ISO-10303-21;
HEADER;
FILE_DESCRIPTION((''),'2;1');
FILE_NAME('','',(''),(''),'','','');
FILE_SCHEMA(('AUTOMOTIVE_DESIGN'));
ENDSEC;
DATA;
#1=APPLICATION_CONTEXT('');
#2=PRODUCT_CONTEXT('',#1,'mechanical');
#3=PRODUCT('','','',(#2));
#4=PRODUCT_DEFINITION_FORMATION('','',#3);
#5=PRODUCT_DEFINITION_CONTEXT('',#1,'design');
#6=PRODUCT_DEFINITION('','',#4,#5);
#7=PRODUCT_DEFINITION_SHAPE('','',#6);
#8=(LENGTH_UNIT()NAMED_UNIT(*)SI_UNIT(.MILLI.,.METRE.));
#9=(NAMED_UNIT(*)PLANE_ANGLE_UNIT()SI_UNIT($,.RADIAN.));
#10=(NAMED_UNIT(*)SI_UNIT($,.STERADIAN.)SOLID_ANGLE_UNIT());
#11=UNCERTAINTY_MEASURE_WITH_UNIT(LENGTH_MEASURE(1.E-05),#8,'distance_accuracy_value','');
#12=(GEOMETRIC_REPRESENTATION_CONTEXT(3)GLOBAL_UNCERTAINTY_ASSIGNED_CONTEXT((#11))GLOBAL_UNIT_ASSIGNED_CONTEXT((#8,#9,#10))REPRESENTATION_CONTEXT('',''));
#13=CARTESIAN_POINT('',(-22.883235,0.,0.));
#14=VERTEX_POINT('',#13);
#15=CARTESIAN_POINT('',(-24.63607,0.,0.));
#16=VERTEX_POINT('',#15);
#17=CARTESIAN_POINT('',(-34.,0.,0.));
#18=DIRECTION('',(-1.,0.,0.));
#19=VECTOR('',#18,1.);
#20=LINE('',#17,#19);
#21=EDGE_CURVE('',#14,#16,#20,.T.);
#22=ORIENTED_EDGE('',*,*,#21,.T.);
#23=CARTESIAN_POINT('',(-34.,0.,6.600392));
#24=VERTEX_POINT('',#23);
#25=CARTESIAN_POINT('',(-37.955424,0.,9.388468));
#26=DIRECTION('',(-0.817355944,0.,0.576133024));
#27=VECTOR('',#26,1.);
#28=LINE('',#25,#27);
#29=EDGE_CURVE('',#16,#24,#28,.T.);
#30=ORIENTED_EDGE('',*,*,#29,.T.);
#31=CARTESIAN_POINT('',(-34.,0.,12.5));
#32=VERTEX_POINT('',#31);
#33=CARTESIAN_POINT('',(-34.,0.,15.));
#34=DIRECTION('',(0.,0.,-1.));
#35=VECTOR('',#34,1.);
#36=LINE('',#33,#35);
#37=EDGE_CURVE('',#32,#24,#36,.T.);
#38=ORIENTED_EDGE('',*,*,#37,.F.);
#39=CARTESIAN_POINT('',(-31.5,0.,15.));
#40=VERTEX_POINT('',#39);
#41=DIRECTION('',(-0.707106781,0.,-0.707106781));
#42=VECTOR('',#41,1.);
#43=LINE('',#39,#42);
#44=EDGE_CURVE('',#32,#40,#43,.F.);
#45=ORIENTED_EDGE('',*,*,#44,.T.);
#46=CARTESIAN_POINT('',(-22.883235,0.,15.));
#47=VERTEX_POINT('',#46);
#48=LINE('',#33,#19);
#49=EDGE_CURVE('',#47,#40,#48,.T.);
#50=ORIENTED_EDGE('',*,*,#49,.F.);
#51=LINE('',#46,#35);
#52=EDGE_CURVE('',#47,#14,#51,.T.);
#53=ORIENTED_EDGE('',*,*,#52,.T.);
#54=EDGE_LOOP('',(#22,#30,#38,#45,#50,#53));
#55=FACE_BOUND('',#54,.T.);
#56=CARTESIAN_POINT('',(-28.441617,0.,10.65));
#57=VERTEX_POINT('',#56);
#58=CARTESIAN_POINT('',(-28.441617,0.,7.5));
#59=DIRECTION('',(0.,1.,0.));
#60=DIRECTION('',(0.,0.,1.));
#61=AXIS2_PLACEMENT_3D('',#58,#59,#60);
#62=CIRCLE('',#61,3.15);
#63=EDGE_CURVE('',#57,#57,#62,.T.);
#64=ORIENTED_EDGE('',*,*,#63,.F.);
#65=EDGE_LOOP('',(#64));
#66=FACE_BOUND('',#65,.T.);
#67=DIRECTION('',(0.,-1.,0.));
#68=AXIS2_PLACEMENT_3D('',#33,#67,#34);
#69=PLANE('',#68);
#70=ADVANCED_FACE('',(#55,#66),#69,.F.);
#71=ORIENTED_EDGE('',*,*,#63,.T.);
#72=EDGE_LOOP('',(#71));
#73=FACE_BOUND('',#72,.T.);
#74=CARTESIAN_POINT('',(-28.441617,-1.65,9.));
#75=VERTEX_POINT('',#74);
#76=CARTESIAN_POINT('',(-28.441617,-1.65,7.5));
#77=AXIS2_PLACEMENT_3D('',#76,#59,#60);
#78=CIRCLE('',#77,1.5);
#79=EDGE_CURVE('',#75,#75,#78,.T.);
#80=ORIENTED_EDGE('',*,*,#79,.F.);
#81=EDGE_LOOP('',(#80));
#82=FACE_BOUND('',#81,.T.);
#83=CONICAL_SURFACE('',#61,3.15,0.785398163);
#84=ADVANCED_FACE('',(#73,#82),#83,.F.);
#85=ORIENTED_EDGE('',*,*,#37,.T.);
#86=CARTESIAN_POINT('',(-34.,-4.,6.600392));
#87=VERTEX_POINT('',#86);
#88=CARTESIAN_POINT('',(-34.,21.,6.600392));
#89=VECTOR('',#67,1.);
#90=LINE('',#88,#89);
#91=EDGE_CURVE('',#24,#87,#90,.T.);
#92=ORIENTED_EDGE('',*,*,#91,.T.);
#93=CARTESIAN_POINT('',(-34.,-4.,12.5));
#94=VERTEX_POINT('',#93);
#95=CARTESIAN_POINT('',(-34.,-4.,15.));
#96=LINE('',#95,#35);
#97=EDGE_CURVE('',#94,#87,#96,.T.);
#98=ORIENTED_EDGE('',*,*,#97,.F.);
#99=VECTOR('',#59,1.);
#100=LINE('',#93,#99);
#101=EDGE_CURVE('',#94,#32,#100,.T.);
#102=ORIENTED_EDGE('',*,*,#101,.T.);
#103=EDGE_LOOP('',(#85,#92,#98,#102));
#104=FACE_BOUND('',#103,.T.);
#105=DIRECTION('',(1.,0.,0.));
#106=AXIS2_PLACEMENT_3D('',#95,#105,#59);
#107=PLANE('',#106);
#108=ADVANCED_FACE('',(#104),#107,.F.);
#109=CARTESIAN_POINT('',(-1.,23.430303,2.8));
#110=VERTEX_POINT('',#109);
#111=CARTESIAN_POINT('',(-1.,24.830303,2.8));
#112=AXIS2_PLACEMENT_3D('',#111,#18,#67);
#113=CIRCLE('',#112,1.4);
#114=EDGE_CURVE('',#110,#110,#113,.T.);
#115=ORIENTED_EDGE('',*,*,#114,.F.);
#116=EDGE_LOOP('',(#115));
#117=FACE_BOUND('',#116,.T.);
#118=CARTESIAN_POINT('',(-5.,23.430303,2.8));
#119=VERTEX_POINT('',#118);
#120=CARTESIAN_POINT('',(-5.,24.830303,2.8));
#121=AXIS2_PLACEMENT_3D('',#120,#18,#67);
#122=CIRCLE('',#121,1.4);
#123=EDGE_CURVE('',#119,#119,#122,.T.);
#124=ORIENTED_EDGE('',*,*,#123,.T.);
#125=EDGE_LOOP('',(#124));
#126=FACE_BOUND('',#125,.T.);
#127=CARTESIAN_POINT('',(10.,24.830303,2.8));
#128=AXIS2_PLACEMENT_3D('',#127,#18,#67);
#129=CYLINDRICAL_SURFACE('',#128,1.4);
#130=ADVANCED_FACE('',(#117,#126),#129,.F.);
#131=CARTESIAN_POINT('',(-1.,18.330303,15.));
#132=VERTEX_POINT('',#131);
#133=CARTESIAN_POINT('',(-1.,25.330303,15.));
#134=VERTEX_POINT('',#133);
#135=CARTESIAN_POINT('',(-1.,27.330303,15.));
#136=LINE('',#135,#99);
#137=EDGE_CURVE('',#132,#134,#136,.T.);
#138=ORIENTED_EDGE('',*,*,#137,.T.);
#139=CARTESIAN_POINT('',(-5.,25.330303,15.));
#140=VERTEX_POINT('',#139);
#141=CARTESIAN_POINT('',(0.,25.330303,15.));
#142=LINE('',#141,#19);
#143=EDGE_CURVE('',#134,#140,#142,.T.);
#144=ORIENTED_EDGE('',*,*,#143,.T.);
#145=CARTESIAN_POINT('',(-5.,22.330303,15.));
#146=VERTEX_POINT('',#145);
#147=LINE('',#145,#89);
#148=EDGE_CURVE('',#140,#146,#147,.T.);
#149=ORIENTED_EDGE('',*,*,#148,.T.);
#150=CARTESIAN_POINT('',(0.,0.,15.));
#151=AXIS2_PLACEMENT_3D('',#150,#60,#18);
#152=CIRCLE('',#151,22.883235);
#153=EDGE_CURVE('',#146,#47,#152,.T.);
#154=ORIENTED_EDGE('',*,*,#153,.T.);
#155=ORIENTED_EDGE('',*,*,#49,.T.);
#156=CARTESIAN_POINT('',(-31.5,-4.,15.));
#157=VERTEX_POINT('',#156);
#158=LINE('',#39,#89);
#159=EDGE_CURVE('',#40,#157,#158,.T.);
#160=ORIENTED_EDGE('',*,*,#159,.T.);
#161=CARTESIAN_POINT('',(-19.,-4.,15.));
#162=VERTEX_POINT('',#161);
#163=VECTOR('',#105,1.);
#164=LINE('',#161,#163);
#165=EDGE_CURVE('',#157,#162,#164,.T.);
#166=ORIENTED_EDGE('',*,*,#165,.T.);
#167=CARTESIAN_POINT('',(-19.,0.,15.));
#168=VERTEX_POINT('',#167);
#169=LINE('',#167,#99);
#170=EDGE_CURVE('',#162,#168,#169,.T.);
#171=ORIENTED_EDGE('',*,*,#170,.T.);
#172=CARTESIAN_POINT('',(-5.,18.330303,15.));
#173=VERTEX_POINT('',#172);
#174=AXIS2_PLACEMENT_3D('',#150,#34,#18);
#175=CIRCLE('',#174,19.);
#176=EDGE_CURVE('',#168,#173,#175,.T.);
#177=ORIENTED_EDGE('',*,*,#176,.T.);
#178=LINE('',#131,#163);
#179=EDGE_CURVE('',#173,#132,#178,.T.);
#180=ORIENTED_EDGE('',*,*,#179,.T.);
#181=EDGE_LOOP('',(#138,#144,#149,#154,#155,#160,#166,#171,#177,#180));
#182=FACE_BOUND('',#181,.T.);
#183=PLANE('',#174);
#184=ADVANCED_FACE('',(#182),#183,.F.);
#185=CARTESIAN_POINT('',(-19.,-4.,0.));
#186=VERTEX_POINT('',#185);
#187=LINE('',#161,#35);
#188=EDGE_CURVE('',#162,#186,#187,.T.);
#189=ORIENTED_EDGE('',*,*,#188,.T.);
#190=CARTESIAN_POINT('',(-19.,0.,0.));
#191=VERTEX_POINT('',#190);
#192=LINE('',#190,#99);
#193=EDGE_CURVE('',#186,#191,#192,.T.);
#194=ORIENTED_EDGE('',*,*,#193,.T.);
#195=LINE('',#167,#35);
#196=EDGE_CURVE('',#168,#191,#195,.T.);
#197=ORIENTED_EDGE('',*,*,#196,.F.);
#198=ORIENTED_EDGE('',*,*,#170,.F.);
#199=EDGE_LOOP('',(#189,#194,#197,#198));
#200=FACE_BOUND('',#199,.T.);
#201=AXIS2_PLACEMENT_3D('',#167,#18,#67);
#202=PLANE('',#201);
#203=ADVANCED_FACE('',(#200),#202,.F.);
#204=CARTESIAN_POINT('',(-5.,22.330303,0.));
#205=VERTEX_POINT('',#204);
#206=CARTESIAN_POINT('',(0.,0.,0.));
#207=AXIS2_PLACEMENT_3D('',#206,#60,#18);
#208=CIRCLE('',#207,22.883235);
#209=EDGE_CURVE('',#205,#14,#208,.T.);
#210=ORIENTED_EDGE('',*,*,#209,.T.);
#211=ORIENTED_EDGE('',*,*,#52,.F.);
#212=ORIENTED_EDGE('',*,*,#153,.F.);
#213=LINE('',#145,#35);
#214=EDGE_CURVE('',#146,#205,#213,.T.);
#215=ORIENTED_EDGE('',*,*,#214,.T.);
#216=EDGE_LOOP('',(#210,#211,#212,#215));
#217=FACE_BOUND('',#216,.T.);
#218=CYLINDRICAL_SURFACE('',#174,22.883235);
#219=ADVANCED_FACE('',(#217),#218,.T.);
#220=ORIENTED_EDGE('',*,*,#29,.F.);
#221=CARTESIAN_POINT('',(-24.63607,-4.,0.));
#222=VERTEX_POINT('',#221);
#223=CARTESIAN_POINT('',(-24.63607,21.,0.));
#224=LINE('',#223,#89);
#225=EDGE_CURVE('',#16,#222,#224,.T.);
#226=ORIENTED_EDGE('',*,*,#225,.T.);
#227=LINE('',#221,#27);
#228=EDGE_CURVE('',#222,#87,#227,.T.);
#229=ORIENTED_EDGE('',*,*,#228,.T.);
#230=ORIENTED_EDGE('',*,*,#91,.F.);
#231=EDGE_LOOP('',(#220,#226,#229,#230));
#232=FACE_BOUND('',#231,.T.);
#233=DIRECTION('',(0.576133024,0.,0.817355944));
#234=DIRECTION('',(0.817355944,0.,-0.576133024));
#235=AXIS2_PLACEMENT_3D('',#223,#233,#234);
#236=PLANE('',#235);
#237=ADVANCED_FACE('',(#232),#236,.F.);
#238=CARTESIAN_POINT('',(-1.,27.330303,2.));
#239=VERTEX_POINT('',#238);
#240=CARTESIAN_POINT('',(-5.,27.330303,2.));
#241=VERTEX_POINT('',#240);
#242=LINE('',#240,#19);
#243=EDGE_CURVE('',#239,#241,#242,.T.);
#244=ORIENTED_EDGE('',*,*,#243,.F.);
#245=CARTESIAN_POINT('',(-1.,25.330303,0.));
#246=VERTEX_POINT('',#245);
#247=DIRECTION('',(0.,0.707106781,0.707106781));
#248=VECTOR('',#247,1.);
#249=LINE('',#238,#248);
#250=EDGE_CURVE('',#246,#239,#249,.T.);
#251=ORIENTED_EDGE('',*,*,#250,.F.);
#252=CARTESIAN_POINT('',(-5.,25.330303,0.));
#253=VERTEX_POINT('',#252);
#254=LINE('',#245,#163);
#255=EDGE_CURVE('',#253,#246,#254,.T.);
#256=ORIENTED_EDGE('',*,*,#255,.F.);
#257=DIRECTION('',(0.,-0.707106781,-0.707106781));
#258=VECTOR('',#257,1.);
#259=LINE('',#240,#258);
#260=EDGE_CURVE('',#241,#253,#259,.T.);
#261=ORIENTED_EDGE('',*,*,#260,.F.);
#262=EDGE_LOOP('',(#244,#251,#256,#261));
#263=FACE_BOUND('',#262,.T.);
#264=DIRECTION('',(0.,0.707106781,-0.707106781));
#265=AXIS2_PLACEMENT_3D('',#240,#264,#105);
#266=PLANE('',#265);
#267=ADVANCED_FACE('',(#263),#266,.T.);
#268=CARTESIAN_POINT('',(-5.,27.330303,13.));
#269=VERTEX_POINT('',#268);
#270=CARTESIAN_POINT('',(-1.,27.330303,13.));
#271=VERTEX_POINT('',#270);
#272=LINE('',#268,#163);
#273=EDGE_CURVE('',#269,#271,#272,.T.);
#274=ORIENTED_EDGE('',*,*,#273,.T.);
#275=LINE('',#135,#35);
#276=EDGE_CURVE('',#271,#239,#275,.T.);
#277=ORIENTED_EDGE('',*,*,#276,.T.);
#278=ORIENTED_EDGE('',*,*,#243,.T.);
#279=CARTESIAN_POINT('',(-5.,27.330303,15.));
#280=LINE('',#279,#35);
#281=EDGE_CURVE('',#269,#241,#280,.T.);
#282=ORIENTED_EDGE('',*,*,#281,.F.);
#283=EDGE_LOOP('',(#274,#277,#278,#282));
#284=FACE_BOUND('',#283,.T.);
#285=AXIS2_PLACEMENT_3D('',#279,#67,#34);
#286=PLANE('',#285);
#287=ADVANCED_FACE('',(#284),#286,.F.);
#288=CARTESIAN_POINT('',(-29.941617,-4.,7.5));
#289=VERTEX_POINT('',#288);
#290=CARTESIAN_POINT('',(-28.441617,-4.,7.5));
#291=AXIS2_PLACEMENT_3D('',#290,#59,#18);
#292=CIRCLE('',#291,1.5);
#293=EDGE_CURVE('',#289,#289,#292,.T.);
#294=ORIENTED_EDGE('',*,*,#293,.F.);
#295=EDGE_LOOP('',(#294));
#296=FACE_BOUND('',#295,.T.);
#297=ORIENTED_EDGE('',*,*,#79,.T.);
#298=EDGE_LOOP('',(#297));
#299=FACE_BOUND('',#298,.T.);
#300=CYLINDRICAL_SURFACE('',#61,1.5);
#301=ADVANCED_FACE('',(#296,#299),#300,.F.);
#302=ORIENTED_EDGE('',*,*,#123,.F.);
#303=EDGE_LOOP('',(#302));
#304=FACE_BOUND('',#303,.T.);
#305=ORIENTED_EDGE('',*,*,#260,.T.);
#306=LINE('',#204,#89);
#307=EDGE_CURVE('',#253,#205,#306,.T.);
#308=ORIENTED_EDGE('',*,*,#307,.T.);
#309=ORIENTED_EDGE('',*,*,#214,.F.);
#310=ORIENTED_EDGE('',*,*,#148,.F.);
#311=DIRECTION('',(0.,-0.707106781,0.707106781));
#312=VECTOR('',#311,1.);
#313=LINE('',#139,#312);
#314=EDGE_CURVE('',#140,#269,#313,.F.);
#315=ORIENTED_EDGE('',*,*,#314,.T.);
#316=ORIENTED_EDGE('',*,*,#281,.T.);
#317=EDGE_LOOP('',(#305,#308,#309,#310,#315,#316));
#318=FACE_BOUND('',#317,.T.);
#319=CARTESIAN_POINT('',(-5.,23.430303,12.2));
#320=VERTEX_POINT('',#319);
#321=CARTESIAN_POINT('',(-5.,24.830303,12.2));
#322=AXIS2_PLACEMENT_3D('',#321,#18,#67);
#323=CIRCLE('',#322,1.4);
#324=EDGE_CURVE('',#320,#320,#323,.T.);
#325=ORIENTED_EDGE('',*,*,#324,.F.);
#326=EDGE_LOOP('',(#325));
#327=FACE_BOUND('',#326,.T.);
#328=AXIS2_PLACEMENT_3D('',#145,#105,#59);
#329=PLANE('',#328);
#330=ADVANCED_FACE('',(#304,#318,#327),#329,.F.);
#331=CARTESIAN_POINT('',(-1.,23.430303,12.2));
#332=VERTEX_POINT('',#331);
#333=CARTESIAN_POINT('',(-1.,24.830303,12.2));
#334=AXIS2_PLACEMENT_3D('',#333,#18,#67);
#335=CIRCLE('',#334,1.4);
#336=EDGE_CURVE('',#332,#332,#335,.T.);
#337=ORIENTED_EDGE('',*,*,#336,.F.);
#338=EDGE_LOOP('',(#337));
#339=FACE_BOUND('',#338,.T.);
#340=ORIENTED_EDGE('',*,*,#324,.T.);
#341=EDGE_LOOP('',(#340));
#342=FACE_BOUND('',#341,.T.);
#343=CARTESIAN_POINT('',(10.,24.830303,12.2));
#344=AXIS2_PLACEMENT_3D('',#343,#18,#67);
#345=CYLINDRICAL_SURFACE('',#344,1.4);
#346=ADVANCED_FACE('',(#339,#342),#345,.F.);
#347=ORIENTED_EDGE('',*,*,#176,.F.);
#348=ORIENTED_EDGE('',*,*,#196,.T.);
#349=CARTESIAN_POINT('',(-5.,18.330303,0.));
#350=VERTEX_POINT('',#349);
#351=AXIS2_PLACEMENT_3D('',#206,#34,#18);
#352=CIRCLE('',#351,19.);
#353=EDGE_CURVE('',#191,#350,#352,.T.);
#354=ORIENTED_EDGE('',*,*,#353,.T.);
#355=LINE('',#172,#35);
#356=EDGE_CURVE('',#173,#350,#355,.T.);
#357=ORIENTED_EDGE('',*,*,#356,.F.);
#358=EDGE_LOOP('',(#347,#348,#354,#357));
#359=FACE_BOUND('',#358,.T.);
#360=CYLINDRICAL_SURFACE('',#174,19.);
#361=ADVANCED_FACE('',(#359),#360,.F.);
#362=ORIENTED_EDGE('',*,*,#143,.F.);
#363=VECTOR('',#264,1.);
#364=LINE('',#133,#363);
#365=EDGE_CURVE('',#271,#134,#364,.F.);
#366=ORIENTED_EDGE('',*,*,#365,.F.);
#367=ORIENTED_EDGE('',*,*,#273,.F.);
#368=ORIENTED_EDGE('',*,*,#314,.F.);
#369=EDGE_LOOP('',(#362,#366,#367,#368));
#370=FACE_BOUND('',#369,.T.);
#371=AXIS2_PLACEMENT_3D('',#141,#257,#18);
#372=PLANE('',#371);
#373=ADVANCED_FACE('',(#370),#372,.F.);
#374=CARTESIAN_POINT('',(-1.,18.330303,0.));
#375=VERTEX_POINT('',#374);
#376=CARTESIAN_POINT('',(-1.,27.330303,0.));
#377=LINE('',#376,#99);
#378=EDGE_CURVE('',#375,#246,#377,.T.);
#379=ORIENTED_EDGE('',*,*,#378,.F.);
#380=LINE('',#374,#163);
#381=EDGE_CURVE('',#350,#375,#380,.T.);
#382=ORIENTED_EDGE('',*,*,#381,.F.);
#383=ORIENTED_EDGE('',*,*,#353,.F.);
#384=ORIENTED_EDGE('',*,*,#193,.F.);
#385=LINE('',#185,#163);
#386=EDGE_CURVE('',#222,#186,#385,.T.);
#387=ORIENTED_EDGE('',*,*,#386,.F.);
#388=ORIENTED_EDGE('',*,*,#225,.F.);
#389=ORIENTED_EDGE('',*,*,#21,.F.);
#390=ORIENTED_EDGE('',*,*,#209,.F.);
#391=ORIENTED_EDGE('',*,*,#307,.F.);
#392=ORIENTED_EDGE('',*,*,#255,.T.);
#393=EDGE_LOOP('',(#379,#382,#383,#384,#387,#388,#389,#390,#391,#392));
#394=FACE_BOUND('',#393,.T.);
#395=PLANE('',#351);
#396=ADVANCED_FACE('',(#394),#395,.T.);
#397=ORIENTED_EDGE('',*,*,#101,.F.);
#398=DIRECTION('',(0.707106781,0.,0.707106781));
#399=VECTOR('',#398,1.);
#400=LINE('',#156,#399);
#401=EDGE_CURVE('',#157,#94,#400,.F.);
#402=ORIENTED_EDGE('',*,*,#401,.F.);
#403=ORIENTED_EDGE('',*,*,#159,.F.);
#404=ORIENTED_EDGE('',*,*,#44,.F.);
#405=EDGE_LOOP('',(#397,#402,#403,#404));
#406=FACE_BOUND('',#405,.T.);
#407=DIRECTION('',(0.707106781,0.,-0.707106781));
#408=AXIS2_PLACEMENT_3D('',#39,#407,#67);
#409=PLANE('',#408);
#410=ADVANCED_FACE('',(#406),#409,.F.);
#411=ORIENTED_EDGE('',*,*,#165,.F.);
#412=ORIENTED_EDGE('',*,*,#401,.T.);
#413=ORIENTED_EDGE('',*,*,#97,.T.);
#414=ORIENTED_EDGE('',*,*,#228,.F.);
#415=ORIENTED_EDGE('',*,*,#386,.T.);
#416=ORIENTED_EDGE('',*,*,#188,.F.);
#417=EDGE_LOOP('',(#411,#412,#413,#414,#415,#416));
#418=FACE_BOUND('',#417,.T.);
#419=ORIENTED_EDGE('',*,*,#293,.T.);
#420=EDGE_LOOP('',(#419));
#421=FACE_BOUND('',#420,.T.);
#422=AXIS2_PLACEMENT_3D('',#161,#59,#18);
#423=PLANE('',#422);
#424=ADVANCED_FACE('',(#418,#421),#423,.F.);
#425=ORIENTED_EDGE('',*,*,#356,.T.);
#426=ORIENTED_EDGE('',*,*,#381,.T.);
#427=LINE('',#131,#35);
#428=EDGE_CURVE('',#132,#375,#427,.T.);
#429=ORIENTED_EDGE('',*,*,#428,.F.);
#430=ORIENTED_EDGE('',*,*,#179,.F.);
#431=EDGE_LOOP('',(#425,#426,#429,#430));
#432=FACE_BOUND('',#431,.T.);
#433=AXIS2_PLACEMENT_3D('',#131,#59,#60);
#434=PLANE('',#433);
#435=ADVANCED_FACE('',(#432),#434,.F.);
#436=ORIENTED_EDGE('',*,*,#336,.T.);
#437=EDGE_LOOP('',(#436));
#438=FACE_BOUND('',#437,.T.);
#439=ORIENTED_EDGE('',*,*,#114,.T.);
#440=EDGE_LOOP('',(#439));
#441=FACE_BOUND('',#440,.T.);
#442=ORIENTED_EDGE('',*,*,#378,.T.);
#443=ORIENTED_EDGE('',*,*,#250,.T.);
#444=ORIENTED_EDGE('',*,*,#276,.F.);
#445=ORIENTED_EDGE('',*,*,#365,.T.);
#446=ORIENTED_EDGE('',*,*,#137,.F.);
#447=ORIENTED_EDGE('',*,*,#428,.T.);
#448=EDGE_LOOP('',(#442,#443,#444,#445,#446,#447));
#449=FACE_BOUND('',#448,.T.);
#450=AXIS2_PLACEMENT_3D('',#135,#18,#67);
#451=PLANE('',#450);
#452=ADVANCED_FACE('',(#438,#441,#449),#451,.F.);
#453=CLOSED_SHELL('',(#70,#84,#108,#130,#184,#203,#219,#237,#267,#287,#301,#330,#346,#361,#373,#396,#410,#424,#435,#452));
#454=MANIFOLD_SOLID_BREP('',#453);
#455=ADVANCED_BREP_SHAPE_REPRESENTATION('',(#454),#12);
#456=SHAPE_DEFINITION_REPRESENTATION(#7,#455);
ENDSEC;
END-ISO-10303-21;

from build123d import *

# Parameters (mm, degrees)
BOSS_EXTRUDE1_DEPTH                             = 15
CHAMFER1_SIZE                                   = 2.5
SKETCH2_R                                       = 1.4
CUT_EXTRUDE1_DEPTH                              = 15
CHAMFER2_SIZE                                   = 2
SKETCH3_R                                       = 1.4
CUT_EXTRUDE2_DEPTH                              = 47.129659115
CUT_EXTRUDE3_DEPTH                              = 25
CSK_FOR_M3_FLAT_HEAD_MACHINE_SCREW1_D           = 3
CSK_FOR_M3_FLAT_HEAD_MACHINE_SCREW1_DEPTH       = 31.098709071
CSK_FOR_M3_FLAT_HEAD_MACHINE_SCREW1_CSINK_D     = 6.3
CSK_FOR_M3_FLAT_HEAD_MACHINE_SCREW1_CSINK_ANGLE = 90
CSK_FOR_M3_FLAT_HEAD_MACHINE_SCREW1_TIP         = 0.901290929


with BuildPart() as part:
    # Sketch1 → Boss-Extrude1 (new body)
    with BuildSketch(Plane.XY):
        with BuildLine():
            Line((-19, 0), (-19, -4))
            Line((-19, -4), (-34, -4))
            Line((-34, -4), (-34, 0))
            Line((-34, 0), (-22.883234523, 0))
            ThreePointArc((-22.883234523, 0), (-17.861391251, 14.304304416), (-5, 22.33030278))
            Line((-5, 22.33030278), (-5, 27.33030278))
            Line((-5, 27.33030278), (-1, 27.33030278))
            Line((-1, 27.33030278), (-1, 18.33030278))
            Line((-1, 18.33030278), (-5, 18.33030278))
            ThreePointArc((-5, 18.33030278), (-15.099668871, 11.532562595), (-19, 0))
        make_face()
    extrude(amount=BOSS_EXTRUDE1_DEPTH)

    # Chamfer1
    chamfer1_edges = [part.edges().sort_by_distance(p)[0] for p in [
        (-34, -2, 0),
        (-34, -2, 15),
    ]]
    chamfer(chamfer1_edges, length=CHAMFER1_SIZE)

    # Sketch2 → Cut-Extrude1 (cut)
    with BuildSketch(Plane.ZY.offset(5)):
        with Locations(Location((2.8, 24.83030278, 0), (0, 0, 270))):
            Circle(SKETCH2_R)
        with Locations(Location((12.2, 24.83030278, 0), (0, 0, 270))):
            Circle(SKETCH2_R)
    extrude(amount=-CUT_EXTRUDE1_DEPTH, mode=Mode.SUBTRACT)

    # Chamfer2
    chamfer2_edges = [part.edges().sort_by_distance(p)[0] for p in [
        (-3, 27.33030278, 0),
        (-3, 27.33030278, 15),
    ]]
    chamfer(chamfer2_edges, length=CHAMFER2_SIZE)

    # Sketch3 → Cut-Extrude2 (cut, through all)
    with BuildSketch(Plane(origin=(0, 0, 0), x_dir=(1, 0, 0), z_dir=(0, 1, 0))):
        with Locations(Location((-28.441617262, -7.5, 0), (0, 0, 270))):
            Circle(SKETCH3_R)
    extrude(amount=-CUT_EXTRUDE2_DEPTH, mode=Mode.SUBTRACT)

    # Sketch4 → Cut-Extrude3 (cut)
    with BuildSketch(Plane.XZ.offset(4)):
        Polygon((-24.636069701, 0), (-34, 6.600391812), (-34, 2.5), (-31.5, 0), align=None)
    extrude(amount=-CUT_EXTRUDE3_DEPTH, mode=Mode.SUBTRACT)

    # CSK for M3 Flat Head Machine Screw1
    with Locations(Plane(origin=(0, 0, 0), x_dir=(1, 0, 0), z_dir=(0, 1, 0))):
        with Locations((-28.441617262, -7.5)):
            CounterSinkHole(CSK_FOR_M3_FLAT_HEAD_MACHINE_SCREW1_D / 2, CSK_FOR_M3_FLAT_HEAD_MACHINE_SCREW1_CSINK_D / 2, depth=CSK_FOR_M3_FLAT_HEAD_MACHINE_SCREW1_DEPTH, counter_sink_angle=CSK_FOR_M3_FLAT_HEAD_MACHINE_SCREW1_CSINK_ANGLE)
            with Locations((0, 0, -(CSK_FOR_M3_FLAT_HEAD_MACHINE_SCREW1_DEPTH + CSK_FOR_M3_FLAT_HEAD_MACHINE_SCREW1_TIP / 2))):  # 118° drill point
                Cone(0, CSK_FOR_M3_FLAT_HEAD_MACHINE_SCREW1_D / 2, CSK_FOR_M3_FLAT_HEAD_MACHINE_SCREW1_TIP, mode=Mode.SUBTRACT)


solid = part.part
